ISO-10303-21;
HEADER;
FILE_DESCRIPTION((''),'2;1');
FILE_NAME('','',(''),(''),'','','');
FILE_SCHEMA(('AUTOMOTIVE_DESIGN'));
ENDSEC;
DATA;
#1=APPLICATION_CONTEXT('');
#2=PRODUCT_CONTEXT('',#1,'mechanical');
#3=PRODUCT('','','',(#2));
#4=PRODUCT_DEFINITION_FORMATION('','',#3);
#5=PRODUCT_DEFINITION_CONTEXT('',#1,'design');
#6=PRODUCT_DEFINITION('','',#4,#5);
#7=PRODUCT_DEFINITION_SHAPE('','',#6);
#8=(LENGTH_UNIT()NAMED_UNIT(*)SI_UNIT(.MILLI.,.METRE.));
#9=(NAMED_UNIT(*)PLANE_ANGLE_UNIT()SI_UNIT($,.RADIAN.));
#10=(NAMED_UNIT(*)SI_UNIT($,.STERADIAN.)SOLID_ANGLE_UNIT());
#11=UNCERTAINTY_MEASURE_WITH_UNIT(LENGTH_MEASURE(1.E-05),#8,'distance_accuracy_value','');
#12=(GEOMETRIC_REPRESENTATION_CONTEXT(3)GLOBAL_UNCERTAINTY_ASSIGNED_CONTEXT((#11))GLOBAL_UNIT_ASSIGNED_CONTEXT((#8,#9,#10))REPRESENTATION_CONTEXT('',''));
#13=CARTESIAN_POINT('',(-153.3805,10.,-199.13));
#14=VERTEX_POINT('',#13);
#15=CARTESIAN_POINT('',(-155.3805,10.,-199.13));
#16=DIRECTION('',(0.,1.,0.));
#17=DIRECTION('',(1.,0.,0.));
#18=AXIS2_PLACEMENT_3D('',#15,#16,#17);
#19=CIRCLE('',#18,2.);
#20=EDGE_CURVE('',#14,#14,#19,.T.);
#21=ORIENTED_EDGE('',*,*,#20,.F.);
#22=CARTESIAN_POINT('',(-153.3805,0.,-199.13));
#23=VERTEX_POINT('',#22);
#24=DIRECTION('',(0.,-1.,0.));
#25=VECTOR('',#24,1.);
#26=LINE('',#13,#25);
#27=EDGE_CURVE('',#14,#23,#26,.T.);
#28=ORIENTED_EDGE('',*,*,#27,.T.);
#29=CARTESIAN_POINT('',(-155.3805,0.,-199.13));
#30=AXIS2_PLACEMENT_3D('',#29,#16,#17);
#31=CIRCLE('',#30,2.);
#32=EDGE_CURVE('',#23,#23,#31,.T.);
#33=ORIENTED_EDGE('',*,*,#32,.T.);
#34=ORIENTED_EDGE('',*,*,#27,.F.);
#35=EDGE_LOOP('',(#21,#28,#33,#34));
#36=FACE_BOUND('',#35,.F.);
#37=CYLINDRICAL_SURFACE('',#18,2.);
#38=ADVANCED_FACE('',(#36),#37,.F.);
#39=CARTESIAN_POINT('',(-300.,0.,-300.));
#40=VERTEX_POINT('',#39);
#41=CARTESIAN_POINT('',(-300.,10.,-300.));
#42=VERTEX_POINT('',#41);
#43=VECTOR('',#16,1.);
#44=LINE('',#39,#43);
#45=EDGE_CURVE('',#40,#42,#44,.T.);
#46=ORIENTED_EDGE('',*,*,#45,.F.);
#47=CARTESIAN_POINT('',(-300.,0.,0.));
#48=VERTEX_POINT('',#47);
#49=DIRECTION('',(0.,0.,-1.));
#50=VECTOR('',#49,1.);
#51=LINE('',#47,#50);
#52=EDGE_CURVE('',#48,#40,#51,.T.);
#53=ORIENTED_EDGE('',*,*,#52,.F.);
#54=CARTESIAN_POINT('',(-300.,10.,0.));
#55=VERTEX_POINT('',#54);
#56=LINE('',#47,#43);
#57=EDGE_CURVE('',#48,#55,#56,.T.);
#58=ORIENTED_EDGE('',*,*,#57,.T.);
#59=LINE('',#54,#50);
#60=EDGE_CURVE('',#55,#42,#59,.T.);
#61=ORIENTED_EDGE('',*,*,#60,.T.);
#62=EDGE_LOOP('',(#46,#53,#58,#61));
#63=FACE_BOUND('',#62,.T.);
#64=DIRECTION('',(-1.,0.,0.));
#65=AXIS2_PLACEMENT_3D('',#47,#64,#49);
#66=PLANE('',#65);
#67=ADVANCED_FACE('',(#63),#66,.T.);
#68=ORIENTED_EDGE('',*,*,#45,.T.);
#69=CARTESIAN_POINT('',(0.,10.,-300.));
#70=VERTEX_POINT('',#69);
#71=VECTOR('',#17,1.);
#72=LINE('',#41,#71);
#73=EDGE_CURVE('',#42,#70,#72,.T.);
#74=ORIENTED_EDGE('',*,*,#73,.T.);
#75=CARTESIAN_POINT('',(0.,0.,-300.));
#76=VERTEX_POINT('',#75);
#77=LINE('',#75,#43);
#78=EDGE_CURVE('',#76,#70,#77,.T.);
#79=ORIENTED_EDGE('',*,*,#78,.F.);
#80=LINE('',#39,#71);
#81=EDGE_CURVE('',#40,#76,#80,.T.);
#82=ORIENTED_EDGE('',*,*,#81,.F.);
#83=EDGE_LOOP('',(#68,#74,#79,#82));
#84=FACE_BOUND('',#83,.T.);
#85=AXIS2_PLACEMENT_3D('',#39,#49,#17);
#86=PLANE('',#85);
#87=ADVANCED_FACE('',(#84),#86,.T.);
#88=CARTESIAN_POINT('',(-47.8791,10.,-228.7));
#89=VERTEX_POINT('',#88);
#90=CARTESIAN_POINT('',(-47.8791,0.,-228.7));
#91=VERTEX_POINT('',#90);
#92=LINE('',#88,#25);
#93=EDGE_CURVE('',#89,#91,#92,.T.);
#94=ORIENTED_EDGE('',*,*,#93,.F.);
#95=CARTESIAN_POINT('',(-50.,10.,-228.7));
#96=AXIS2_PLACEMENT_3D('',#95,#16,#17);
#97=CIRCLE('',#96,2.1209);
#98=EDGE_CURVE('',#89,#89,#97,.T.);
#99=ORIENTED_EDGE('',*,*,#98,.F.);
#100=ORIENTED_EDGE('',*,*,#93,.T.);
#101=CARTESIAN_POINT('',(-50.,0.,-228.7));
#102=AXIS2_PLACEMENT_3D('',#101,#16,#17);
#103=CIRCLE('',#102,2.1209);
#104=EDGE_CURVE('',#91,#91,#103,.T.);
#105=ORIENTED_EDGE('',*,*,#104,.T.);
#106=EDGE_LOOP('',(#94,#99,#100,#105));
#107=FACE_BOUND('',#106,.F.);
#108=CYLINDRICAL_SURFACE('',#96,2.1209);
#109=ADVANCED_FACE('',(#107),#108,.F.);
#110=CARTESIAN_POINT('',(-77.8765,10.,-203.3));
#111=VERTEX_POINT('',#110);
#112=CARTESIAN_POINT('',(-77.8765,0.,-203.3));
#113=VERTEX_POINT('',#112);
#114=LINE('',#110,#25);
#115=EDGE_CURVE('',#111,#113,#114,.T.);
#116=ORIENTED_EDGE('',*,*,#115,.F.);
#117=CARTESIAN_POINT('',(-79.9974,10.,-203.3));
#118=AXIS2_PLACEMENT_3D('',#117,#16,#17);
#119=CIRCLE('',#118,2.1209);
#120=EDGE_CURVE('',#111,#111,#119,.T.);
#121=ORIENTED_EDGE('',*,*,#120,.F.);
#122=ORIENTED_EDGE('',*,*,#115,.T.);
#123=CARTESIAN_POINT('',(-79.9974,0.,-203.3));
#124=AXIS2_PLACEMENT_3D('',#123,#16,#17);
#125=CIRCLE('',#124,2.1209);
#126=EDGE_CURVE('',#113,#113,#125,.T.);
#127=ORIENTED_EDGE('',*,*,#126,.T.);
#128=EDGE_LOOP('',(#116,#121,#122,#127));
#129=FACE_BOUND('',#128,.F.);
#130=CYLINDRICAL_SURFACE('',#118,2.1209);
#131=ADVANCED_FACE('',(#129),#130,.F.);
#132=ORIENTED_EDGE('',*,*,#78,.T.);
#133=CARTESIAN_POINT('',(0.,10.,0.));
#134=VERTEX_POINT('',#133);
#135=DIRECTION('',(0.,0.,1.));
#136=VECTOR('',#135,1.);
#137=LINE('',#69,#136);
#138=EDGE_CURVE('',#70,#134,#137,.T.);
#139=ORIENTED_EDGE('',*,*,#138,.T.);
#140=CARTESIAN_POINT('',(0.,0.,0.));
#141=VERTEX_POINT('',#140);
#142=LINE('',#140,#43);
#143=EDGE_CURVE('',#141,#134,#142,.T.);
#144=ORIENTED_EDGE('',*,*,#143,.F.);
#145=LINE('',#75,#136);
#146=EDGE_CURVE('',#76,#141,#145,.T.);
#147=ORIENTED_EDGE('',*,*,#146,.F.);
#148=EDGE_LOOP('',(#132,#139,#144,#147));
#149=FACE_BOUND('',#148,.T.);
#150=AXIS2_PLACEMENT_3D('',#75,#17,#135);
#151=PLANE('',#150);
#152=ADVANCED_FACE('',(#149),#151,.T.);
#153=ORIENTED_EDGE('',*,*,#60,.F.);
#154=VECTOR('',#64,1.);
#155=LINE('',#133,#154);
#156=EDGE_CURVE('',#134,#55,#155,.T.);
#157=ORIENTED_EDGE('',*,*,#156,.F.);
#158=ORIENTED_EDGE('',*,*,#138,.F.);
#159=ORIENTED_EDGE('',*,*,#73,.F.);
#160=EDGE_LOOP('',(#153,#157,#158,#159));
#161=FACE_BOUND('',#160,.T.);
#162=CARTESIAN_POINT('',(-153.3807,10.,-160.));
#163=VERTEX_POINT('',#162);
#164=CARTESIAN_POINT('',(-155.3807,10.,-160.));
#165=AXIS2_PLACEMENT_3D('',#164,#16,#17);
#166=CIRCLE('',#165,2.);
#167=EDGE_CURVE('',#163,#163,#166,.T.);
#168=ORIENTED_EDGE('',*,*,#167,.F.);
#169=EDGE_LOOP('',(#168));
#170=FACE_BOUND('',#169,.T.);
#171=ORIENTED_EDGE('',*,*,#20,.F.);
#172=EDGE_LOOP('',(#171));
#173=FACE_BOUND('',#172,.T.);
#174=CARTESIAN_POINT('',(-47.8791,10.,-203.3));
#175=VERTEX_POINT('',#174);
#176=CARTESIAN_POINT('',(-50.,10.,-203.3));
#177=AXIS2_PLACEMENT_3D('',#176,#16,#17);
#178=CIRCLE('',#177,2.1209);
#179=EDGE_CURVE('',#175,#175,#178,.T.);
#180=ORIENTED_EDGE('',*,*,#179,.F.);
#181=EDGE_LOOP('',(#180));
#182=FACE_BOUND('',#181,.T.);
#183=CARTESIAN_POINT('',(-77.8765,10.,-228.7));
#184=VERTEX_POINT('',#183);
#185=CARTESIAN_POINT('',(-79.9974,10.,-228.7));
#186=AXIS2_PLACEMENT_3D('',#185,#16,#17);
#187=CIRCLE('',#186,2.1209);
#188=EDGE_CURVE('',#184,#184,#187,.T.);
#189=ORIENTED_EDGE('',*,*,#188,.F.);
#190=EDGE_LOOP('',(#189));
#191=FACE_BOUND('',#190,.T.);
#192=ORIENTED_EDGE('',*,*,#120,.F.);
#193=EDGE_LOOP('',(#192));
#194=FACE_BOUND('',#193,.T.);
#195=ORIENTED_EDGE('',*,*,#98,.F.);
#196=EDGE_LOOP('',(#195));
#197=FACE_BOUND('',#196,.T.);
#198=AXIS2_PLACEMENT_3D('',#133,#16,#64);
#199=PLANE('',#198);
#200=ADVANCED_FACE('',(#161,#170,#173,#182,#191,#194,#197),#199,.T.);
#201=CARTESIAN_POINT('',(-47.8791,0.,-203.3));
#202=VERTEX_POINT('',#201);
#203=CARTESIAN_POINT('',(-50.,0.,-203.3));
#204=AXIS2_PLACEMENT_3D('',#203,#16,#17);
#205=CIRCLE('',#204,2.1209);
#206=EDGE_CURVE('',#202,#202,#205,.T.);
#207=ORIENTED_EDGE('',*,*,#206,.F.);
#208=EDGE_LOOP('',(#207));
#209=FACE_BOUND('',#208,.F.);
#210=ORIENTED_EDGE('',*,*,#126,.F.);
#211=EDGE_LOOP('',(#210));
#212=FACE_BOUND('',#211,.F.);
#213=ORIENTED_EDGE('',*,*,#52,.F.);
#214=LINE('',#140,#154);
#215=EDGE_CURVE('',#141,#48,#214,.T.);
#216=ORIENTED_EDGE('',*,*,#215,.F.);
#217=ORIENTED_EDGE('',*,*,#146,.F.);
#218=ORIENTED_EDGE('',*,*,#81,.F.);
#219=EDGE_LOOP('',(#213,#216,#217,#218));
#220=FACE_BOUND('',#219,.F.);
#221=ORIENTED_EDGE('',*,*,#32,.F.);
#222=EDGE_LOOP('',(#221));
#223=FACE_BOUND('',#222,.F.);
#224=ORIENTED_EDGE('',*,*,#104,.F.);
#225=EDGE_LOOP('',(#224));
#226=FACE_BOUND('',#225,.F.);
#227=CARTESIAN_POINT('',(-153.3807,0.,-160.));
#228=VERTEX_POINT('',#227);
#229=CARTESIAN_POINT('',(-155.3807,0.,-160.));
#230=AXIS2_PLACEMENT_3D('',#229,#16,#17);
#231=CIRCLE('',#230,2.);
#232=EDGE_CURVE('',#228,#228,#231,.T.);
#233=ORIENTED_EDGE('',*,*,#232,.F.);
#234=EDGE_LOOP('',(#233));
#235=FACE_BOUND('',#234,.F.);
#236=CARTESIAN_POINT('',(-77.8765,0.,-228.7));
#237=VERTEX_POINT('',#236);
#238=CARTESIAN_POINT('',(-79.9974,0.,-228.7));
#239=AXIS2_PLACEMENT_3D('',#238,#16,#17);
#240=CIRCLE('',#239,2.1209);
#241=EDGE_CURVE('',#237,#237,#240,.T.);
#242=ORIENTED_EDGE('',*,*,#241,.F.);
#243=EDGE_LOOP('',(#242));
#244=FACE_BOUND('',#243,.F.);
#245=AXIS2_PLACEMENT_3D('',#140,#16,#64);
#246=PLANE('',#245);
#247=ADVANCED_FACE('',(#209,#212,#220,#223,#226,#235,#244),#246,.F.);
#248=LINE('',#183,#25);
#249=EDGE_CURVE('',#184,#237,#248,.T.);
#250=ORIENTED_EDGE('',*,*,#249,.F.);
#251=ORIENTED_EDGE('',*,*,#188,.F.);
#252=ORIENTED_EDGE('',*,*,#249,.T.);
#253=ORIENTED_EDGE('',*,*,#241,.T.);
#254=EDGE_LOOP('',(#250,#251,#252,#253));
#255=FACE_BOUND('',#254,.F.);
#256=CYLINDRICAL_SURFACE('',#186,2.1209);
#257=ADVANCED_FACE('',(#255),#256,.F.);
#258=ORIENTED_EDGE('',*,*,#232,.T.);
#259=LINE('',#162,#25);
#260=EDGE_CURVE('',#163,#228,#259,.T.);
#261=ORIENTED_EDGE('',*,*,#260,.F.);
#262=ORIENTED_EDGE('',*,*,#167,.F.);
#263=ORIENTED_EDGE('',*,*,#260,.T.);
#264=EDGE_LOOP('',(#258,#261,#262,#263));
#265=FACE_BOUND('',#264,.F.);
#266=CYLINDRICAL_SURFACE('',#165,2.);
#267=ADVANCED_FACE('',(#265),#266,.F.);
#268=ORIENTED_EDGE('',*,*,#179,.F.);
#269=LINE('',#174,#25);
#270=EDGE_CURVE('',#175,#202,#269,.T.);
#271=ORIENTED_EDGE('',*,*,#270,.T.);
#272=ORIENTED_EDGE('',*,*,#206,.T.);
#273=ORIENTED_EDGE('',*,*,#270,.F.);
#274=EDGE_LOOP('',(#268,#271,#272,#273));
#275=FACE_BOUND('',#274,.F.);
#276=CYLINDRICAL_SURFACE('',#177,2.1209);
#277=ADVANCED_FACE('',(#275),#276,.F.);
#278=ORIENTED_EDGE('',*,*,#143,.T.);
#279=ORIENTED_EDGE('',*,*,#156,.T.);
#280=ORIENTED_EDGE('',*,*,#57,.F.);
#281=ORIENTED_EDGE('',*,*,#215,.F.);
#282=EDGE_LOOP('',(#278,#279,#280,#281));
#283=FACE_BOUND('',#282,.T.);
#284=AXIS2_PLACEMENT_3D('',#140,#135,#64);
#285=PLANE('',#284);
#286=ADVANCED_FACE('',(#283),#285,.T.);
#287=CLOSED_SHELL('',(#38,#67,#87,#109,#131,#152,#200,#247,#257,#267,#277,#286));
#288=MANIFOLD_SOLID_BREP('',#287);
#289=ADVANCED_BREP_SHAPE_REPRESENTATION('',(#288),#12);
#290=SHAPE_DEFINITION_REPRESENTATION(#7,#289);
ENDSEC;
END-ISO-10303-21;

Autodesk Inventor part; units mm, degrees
ref_plane "YZ Plane" through (0, 0, 0) normal (1, 0, 0) x (0, 1, 0)
ref_plane "XZ Plane" through (0, 0, 0) normal (0, 1, 0) x (-1, 0, 0)
ref_plane "XY Plane" through (0, 0, 0) normal (0, 0, 1) x (1, 0, 0)
sketch "Sketch1" plane through (0, 0, 0) normal (0, 1, 0) x (-1, 0, 0)
  line L0 (0, 0) -> (300, 0)
  line L1 (300, 0) -> (300, -300)
  line L2 (300, -300) -> (0, -300)
  line L3 (0, -300) -> (0, 0)
  dimension "d0" = 300
  dimension "d1" = 300
extrude "Extrusion1" add sketch "Sketch1" along normal blind 10
sketch "Sketch2" plane through (0, 10, 0) normal (0, 1, 0) x (1, 0, 0)
  line L0 (0, 0) -> (0, 300) projected
  line L1 (0, 150) -> (-50, 150)
  circle A0 centre (-50, 203.3) radius 2.1209
  circle A1 centre (-50, 228.7) radius 2.1209
  circle A2 centre (-79.9974, 203.3) radius 2.1209
  circle A3 centre (-79.9974, 228.7) radius 2.1209
  dimension "d4" = 50
  dimension "d7" = 4.2418
extrude "Extrusion2" cut sketch "Sketch2" against normal through all
sketch "Sketch3" plane through (0, 10, 0) normal (0, 1, 0) x (1, 0, 0)
  circle A0 centre (-79.9974, 203.3) radius 2.1209 projected
  circle A1 centre (-50, 203.3) radius 2.1209 projected
  line L0 (-79.9974, 203.3) -> (-50, 203.3)
  line L1 (-64.9987, 203.3) -> (-64.9987, 160)
  line L2 (-64.9987, 160) -> (-125.2267, 160)
  line L3 (-125.2267, 160) -> (-155.3807, 160)
  circle A2 centre (-155.3807, 160) radius 2
  circle A3 centre (-155.3805, 199.13) radius 2
  point P0 (0, 0)
  dimension "d12" = 43.3
  dimension "d13" = 60.228
  dimension "d14" = 30.154
  dimension "d15" = 4
extrude "Extrusion3" cut sketch "Sketch3" against normal through all contours A2 | A3
properties part number "Base"
